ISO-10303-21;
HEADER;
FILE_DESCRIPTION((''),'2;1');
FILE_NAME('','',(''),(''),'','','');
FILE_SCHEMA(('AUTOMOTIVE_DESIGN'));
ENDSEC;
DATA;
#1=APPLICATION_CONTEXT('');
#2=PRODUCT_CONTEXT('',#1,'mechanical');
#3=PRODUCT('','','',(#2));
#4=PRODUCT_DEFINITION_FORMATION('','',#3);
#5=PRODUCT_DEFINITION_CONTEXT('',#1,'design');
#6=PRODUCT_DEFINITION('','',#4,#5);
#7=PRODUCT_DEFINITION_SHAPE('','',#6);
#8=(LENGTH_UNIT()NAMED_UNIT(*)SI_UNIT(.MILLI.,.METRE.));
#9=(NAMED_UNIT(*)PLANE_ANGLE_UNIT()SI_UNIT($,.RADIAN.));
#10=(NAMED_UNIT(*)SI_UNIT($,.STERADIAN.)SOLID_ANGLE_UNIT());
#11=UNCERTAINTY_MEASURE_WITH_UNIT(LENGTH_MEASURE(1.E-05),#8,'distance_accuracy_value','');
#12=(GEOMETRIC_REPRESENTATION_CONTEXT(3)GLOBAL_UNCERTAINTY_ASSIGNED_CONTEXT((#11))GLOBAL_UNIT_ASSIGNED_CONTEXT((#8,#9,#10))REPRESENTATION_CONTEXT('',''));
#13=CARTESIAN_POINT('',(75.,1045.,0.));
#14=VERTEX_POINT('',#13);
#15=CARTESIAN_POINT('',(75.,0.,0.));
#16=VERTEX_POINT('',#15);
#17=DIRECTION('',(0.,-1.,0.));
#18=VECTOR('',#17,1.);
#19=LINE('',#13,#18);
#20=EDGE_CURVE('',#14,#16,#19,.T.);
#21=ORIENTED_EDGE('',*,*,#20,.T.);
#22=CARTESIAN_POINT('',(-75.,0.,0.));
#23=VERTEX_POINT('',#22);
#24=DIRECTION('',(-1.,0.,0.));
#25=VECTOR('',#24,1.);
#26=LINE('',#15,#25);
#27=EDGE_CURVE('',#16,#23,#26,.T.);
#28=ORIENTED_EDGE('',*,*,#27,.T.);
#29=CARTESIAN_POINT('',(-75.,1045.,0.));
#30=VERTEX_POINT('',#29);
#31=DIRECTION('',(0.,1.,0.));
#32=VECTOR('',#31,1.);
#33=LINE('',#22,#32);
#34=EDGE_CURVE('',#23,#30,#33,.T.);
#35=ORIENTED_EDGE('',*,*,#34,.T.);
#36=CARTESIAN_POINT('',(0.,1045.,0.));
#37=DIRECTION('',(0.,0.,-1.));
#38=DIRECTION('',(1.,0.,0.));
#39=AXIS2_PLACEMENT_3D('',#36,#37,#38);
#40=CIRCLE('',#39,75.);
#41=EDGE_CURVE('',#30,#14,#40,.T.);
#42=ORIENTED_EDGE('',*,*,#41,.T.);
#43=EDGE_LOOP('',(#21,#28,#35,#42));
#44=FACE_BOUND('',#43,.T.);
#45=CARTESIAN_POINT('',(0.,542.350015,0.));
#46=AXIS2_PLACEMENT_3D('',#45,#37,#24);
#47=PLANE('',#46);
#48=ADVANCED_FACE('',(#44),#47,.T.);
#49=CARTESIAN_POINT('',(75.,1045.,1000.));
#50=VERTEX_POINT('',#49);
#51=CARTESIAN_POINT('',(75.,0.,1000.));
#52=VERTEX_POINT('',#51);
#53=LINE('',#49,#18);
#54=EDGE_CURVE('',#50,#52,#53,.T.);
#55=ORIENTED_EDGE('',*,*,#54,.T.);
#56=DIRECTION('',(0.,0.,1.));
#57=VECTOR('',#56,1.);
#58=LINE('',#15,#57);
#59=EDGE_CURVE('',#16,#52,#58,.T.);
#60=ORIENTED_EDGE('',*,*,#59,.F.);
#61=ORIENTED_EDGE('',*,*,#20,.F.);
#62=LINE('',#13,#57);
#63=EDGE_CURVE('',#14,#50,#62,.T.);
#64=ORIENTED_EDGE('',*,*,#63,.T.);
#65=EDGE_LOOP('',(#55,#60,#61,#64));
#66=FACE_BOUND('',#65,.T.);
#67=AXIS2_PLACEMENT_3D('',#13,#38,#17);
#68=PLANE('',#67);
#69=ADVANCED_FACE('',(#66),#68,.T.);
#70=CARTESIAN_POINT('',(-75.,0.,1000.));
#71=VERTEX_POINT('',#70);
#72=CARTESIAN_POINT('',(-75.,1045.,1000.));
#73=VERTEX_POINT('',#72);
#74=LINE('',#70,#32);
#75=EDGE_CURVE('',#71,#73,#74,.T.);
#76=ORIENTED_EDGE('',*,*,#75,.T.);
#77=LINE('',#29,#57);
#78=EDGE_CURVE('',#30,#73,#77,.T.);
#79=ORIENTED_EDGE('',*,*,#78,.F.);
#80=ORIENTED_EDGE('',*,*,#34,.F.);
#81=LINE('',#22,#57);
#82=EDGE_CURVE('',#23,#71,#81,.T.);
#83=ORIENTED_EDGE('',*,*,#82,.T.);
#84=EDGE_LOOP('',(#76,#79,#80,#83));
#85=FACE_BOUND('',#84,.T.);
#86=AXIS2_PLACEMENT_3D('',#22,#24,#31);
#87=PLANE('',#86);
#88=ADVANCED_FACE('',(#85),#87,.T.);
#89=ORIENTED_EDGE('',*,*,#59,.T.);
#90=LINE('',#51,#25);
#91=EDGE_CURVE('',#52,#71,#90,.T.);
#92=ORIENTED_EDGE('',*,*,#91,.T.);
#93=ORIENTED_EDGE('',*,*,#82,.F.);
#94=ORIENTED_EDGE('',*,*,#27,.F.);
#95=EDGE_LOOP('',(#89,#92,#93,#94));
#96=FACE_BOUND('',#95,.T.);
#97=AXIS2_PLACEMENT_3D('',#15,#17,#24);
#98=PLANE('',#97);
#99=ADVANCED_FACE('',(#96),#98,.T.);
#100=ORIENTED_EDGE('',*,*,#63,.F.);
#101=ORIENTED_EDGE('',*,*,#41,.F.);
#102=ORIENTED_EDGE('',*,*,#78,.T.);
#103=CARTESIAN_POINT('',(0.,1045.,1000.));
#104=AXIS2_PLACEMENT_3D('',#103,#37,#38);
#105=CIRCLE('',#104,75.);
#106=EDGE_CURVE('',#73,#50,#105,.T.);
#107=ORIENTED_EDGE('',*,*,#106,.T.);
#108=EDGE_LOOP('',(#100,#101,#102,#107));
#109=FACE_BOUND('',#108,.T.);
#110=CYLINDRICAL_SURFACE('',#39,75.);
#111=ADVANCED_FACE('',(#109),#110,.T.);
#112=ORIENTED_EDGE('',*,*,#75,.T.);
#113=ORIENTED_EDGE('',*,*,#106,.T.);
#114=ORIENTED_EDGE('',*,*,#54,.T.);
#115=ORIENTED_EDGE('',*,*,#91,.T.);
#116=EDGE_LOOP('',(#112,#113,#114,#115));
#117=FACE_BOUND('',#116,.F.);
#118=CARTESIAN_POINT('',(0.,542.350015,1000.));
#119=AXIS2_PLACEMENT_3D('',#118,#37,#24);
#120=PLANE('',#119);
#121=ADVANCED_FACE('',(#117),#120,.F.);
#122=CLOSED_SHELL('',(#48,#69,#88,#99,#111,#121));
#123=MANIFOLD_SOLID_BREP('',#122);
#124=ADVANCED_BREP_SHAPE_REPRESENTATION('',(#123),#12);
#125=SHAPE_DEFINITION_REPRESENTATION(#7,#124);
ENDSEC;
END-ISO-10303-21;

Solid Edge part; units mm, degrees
sketch "Sketch1" plane through (0, 0, 0) normal (0, 0, 1) x (1, 0, 0)
  line L0 (-75, 0) -> (-75, 1045)
  arc A0 (-75, 1045) -> (75, 1045) centre (0, 1045) cw
  line L1 (75, 1045) -> (75, 0)
  line L2 (75, 0) -> (-75, 0)
extrude "Protrusion1" add sketch "Sketch1" along normal blind 1000
properties material "BETON"
